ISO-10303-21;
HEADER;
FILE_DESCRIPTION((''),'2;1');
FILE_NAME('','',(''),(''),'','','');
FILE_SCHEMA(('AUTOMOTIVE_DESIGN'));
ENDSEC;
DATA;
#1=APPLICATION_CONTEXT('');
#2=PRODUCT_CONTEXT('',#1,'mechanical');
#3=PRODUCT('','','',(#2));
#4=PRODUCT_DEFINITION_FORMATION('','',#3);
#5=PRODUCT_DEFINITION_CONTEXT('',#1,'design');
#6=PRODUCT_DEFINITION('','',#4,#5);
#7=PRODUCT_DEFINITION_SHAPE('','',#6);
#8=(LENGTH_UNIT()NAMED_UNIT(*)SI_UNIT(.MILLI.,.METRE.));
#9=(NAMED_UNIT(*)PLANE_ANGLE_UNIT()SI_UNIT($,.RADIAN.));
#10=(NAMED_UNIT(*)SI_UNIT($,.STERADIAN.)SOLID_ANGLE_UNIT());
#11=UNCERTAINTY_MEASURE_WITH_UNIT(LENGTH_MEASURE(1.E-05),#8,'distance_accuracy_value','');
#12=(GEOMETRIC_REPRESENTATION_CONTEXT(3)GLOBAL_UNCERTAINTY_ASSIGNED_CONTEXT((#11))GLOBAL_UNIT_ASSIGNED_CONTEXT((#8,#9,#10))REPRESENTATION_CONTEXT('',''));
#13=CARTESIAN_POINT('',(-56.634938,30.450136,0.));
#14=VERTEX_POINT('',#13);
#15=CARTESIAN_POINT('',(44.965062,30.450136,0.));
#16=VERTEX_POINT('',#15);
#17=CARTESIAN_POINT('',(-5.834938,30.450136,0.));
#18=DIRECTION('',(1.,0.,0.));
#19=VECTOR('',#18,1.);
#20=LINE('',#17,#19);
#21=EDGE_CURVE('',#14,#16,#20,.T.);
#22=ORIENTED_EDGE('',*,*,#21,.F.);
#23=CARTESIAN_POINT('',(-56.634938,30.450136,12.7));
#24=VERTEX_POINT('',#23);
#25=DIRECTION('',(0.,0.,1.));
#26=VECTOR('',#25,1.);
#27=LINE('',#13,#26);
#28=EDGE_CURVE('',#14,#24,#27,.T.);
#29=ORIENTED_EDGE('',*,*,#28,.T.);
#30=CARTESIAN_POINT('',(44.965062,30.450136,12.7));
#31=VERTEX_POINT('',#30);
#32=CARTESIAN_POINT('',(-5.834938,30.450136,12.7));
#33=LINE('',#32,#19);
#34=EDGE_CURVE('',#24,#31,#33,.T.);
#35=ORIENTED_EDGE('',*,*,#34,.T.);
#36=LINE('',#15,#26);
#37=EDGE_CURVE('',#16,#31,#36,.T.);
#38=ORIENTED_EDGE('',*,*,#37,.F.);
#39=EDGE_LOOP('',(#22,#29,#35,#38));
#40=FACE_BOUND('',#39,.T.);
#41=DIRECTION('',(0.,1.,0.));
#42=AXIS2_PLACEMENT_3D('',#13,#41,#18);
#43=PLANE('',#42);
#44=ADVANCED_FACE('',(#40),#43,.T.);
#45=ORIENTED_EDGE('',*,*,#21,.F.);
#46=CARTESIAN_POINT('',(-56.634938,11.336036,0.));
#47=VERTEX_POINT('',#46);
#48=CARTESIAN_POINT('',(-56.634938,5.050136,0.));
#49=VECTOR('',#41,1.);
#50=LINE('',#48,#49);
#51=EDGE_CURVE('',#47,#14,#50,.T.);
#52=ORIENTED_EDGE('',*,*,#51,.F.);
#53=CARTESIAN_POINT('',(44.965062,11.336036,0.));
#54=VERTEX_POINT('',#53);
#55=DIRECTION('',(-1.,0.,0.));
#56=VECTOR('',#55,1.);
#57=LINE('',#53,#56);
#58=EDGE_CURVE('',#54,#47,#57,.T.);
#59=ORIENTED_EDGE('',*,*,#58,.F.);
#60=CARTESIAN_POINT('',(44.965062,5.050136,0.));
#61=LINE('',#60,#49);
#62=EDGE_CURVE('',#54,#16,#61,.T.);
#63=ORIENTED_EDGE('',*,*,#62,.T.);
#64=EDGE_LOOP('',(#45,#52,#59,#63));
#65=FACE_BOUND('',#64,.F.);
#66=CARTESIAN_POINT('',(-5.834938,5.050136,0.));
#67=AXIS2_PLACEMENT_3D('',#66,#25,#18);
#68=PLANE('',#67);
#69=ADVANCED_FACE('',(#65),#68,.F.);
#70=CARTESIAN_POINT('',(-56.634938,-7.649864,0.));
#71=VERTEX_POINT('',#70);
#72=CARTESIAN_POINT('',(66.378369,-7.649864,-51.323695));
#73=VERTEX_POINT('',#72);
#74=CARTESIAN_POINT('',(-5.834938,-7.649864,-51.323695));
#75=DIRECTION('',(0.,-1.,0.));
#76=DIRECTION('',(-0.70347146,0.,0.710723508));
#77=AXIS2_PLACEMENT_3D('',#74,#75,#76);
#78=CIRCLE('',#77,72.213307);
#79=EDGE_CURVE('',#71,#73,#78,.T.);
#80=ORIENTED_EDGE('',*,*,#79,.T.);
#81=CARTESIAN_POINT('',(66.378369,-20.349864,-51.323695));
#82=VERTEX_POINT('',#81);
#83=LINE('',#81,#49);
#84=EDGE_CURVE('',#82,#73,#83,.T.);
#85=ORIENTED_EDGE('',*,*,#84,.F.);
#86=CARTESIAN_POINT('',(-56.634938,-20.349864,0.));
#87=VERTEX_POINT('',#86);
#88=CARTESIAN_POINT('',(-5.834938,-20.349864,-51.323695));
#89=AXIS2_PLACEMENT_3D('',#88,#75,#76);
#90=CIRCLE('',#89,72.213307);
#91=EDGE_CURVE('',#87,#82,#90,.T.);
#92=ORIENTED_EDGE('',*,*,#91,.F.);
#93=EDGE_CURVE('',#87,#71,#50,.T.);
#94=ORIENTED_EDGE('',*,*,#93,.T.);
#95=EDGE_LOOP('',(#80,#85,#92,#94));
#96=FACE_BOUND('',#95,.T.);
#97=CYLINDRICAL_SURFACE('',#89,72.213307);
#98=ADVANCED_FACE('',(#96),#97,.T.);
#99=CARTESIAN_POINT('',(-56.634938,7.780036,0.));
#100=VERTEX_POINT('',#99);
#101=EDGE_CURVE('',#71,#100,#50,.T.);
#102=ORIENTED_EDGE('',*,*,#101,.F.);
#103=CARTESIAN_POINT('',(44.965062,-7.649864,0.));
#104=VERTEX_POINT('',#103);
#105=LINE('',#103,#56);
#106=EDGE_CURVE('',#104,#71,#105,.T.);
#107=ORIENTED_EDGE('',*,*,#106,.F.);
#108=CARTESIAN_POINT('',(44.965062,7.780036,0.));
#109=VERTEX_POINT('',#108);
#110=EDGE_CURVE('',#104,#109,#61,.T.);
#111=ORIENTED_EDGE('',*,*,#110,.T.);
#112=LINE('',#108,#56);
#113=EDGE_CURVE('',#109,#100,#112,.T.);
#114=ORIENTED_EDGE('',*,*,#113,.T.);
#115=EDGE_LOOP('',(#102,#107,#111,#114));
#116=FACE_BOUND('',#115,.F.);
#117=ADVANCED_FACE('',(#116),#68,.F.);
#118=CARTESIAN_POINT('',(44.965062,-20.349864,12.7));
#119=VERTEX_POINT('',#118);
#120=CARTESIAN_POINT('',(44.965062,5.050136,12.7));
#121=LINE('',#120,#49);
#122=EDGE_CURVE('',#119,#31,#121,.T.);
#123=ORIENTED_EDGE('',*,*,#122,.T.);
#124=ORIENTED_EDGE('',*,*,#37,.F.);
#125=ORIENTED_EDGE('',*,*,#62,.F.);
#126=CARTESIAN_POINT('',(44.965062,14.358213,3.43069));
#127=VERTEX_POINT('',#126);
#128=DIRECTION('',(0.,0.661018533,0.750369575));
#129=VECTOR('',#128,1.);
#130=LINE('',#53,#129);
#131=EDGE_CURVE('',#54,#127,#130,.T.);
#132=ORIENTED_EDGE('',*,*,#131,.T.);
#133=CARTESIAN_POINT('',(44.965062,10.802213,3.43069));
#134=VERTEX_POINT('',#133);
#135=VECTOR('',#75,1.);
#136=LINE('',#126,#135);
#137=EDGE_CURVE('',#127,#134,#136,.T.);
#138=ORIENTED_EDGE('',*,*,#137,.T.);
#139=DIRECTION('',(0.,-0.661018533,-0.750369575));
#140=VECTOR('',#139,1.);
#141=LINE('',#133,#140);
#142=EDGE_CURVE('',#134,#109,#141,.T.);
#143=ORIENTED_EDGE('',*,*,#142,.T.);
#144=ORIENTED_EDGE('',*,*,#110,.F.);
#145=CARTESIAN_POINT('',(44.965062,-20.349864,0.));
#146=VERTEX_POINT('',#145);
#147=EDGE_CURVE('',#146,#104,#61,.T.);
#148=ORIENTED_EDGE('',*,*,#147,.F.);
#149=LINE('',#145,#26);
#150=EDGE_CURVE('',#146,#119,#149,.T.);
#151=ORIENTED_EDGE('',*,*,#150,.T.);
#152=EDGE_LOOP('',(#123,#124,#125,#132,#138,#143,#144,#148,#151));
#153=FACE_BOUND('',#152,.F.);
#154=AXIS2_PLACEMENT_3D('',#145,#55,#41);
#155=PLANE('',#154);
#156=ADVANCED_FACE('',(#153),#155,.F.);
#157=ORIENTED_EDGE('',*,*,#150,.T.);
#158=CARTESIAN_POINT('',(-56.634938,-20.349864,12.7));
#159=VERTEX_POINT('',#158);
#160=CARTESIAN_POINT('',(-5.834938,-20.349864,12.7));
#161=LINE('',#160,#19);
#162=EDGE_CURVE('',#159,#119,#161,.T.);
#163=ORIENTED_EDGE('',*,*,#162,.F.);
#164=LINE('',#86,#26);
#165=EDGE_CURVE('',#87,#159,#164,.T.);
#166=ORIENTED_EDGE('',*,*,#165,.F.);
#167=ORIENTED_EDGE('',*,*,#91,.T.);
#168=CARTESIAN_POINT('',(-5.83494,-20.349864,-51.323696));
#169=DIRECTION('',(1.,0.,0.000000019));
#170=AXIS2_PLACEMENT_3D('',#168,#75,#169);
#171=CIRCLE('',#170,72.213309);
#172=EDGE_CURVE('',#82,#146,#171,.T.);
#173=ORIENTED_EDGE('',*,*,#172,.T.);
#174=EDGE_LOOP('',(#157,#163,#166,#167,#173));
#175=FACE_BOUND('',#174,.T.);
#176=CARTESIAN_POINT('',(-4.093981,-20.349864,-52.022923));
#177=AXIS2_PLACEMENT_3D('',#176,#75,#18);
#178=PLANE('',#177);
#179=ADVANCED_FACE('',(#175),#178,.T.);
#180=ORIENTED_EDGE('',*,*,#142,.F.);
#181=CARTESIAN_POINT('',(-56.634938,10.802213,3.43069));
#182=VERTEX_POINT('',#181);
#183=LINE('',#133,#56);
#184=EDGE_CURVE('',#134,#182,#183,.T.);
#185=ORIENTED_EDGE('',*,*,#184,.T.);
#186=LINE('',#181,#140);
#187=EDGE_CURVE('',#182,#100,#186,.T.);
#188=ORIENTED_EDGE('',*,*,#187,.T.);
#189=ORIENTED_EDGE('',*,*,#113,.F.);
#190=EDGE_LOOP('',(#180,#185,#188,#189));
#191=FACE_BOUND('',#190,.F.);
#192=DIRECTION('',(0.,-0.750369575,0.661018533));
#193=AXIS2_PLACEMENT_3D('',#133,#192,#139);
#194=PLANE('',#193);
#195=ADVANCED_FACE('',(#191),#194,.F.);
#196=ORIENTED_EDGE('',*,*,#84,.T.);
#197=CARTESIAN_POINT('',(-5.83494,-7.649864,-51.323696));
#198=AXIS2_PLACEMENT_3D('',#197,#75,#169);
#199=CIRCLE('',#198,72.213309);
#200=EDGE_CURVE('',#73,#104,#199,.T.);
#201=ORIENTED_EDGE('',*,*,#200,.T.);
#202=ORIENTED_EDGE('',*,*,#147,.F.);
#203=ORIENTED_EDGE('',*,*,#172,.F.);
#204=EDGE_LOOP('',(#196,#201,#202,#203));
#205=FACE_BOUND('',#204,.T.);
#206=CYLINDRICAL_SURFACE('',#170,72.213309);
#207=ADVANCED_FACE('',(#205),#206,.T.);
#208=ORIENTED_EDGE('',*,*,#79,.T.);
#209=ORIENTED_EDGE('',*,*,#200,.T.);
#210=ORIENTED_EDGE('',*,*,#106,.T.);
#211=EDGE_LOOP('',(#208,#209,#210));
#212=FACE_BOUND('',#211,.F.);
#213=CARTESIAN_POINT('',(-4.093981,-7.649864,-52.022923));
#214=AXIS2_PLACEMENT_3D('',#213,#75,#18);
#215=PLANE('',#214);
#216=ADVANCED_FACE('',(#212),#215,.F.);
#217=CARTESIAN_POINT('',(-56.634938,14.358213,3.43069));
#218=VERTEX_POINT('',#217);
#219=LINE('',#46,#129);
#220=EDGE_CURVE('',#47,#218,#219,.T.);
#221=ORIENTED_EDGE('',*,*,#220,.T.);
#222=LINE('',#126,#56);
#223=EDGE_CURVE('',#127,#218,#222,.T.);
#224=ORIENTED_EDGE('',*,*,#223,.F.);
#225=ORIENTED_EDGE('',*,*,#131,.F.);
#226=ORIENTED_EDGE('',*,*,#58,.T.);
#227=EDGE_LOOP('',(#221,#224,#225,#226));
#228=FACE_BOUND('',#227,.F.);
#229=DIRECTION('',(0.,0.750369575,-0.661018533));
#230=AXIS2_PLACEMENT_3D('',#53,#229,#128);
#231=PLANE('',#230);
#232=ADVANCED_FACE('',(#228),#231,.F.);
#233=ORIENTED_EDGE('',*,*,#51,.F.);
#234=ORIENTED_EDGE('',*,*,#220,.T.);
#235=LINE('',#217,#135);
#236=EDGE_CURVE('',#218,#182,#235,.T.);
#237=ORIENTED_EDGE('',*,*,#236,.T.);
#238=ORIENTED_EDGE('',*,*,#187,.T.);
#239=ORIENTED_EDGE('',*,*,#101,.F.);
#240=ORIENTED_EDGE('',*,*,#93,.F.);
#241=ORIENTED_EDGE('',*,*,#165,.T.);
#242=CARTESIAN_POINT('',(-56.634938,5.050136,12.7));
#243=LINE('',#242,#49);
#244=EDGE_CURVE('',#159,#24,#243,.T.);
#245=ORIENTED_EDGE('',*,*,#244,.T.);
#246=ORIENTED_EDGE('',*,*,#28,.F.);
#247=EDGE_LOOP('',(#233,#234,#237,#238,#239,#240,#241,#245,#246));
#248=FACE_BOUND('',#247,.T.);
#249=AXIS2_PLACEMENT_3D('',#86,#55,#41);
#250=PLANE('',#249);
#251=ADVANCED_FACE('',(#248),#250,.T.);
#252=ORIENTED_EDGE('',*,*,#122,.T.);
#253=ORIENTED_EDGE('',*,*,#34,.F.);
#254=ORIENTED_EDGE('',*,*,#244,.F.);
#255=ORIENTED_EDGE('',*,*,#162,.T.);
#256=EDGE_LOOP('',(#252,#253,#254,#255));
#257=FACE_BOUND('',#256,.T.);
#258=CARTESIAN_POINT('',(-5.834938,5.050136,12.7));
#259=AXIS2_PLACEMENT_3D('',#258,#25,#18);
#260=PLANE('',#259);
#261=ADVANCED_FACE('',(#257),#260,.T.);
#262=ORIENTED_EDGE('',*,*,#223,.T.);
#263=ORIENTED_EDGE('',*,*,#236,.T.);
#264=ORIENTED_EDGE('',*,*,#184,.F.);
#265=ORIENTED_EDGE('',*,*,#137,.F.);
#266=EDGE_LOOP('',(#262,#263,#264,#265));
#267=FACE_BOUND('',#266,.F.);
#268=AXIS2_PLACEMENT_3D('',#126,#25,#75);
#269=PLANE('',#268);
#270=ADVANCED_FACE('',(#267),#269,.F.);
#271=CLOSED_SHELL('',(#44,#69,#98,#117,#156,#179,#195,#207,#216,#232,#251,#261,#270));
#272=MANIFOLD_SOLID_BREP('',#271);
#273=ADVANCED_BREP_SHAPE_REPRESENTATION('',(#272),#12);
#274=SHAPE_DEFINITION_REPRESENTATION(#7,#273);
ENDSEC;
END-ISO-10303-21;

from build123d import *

# Parameters (mm, degrees)
F0_W     = 101.6
F0_H     = 50.8
F1_DEPTH = 12.7
F3_DEPTH = 101.6
F5_DEPTH = 12.7


with BuildPart() as f1:
    # F0 (on Top) → F1 (new body)
    with BuildSketch(Plane.XY):
        with Locations((-5.834938, 5.050136)):
            Rectangle(F0_W, F0_H)
    extrude(amount=F1_DEPTH)

    # F2 (on face) → F3 (cut)
    with BuildSketch(Plane.YZ.offset(44.965062)):
        Polygon((7.780036, 0), (11.336036, 0), (14.358213, 3.43069), (10.802213, 3.43069), align=None)
    extrude(amount=-F3_DEPTH, mode=Mode.SUBTRACT)

    # F4 (on face) → F5 (join)
    with BuildSketch(Plane.XZ.offset(20.349864)):
        with BuildLine():
            ThreePointArc((-56.634938, 0), (-33.640743, -117.969016), (66.378369, -51.323695))
            ThreePointArc((66.378369, -51.323695), (60.810383, -23.517889), (44.965062, 0))
            Line((44.965062, 0), (-56.634938, 0))
        make_face()
    extrude(amount=-F5_DEPTH)


solid = f1.part
